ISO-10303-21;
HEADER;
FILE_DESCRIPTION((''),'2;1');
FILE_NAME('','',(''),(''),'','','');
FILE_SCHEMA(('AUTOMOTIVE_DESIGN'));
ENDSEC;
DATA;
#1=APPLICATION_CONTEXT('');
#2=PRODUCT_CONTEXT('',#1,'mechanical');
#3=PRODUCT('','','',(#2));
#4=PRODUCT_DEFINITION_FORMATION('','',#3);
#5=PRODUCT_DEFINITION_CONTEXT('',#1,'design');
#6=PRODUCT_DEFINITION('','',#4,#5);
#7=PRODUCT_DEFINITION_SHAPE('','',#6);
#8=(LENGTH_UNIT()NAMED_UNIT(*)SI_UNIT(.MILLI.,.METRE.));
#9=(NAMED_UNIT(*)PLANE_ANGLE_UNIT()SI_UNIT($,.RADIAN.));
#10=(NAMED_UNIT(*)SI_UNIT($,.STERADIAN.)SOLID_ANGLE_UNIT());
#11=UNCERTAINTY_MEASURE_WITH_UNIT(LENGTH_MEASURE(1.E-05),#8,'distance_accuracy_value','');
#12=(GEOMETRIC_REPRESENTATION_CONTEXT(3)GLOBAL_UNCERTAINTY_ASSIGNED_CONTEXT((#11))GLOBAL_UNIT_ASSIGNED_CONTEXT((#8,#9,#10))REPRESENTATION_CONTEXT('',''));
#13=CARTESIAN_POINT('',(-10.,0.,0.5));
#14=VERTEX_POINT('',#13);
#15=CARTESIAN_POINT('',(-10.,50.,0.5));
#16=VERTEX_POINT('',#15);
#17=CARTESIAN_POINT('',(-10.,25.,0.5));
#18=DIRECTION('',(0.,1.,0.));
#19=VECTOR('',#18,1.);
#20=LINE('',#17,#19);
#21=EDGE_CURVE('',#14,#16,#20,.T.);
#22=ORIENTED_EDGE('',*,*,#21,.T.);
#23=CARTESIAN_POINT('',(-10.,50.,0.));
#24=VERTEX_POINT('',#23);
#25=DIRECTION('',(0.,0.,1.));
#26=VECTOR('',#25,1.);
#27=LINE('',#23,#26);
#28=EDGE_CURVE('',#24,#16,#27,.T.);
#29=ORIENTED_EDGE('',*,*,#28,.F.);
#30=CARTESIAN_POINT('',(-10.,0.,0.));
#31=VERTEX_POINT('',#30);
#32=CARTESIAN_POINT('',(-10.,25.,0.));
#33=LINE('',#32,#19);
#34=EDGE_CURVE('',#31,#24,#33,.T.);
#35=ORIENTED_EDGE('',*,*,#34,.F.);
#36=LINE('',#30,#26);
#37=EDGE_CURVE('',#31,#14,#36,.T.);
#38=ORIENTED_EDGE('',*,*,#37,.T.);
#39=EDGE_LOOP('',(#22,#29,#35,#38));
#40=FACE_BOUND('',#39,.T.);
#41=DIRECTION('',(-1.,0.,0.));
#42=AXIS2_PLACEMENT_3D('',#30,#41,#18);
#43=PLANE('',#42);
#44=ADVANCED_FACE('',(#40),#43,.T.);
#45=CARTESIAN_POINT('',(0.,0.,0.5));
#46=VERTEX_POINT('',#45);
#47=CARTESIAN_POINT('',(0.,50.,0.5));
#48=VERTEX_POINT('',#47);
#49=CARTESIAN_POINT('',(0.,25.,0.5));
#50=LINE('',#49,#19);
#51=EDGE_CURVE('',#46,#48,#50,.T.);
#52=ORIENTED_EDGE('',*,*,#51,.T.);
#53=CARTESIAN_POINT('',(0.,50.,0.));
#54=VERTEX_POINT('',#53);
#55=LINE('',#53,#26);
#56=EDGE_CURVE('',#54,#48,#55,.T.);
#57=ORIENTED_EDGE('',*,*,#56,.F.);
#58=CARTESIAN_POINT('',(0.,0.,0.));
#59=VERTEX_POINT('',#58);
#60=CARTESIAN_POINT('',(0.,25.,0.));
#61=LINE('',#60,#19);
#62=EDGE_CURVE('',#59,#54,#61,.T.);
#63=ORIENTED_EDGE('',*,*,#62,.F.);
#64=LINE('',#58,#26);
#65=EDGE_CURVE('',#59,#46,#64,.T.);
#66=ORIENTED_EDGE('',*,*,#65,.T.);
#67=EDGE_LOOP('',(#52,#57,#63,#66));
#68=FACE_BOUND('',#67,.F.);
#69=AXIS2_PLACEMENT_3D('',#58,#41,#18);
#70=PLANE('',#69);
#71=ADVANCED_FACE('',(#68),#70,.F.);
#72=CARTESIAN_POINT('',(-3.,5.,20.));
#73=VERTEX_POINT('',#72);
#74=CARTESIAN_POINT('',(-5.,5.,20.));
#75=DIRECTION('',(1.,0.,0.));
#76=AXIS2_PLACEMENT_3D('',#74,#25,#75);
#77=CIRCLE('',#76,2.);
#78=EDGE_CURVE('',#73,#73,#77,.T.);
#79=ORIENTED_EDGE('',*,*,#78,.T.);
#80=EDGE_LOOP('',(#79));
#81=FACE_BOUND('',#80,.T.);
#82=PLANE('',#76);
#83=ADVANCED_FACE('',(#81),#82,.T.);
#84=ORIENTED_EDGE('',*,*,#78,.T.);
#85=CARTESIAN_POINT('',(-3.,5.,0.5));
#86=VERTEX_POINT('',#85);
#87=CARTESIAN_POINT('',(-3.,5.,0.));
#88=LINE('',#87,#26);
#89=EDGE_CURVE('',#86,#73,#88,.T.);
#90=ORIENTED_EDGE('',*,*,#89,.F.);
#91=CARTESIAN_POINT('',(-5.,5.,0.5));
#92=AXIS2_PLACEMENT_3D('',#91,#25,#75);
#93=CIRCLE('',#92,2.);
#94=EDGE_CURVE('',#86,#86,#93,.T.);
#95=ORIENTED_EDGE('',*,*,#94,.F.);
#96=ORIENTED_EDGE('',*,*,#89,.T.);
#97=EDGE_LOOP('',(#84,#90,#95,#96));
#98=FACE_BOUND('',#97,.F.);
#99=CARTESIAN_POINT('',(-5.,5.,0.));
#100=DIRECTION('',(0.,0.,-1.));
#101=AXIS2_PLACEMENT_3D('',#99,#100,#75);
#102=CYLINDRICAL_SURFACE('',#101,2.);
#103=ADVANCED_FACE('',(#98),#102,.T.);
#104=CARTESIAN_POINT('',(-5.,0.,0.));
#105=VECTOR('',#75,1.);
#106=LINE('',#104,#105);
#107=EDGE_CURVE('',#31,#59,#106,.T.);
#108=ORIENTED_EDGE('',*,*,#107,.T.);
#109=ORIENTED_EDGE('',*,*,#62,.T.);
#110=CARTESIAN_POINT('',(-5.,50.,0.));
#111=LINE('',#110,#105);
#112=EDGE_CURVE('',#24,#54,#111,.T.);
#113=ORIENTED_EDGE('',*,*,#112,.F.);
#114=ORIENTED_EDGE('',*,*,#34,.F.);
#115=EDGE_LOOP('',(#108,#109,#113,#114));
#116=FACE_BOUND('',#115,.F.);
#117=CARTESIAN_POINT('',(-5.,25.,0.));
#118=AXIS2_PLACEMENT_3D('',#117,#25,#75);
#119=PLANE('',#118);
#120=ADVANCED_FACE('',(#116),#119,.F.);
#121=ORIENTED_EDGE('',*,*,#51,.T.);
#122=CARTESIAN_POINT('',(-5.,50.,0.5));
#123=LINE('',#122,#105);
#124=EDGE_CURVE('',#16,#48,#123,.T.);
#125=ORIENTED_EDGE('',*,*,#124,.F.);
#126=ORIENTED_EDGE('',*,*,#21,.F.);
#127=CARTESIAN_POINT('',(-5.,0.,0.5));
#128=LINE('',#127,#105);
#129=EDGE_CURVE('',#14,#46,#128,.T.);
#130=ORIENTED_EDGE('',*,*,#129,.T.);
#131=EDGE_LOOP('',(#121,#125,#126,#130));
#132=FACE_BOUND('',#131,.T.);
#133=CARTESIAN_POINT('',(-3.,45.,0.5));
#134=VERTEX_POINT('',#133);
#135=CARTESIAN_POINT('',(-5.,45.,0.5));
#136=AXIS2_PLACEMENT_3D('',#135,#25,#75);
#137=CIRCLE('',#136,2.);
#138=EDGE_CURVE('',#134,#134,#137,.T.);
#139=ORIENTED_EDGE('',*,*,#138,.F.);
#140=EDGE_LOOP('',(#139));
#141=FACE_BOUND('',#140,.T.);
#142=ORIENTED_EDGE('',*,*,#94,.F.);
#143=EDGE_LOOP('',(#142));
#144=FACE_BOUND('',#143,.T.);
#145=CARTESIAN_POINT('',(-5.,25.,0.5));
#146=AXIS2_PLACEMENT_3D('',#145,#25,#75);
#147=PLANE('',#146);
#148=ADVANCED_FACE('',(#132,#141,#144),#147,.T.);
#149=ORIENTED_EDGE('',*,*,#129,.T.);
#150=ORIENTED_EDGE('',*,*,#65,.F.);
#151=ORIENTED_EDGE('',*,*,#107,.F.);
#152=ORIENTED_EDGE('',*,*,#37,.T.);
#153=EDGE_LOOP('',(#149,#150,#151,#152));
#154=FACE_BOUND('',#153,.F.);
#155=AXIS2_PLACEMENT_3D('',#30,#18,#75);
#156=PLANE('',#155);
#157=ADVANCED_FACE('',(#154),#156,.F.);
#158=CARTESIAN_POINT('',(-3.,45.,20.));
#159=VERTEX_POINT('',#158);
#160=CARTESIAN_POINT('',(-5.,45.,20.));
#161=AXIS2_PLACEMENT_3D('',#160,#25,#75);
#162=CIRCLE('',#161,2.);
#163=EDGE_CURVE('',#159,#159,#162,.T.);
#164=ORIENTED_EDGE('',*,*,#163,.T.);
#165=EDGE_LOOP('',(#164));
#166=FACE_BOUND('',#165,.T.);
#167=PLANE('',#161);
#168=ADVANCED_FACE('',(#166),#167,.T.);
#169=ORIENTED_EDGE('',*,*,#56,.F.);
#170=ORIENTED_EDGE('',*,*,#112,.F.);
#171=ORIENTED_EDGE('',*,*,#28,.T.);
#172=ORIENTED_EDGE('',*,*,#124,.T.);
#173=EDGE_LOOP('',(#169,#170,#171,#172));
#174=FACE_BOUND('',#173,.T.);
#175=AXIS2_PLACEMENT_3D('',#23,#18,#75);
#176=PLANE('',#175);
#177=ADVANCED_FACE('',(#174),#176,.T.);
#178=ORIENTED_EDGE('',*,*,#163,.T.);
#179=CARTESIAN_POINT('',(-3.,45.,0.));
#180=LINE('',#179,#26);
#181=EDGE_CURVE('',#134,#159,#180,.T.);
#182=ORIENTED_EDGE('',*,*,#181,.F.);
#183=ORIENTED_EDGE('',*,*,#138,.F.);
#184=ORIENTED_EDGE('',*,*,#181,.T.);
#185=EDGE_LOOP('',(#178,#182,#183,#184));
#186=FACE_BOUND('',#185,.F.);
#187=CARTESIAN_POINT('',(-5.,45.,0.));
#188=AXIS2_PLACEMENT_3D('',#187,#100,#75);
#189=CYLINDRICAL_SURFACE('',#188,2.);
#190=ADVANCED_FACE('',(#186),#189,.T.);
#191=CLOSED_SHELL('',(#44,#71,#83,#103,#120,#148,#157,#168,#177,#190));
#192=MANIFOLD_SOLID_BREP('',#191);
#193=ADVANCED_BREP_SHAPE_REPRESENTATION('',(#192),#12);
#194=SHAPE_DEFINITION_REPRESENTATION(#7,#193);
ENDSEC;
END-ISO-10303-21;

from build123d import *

# Parameters (mm, degrees)
F0_W     = 10
F0_H     = 50
F0_R     = 2
F1_DEPTH = 0.5
F2_DEPTH = 20


with BuildPart() as f1:
    # F0 (on Top) → F1 (new body)
    with BuildSketch(Plane.XY):
        with Locations((-5, 25)):
            Rectangle(F0_W, F0_H)
        with Locations((-5, 5)):
            Circle(F0_R, mode=Mode.SUBTRACT)
        with Locations((-5, 45)):
            Circle(F0_R, mode=Mode.SUBTRACT)
    extrude(amount=F1_DEPTH)

    # F0 (on Top) → F2 (join)
    with BuildSketch(Plane.XY):
        with Locations((-5, 5)):
            Circle(F0_R)
        with Locations((-5, 45)):
            Circle(F0_R)
    extrude(amount=F2_DEPTH)


solid = f1.part
